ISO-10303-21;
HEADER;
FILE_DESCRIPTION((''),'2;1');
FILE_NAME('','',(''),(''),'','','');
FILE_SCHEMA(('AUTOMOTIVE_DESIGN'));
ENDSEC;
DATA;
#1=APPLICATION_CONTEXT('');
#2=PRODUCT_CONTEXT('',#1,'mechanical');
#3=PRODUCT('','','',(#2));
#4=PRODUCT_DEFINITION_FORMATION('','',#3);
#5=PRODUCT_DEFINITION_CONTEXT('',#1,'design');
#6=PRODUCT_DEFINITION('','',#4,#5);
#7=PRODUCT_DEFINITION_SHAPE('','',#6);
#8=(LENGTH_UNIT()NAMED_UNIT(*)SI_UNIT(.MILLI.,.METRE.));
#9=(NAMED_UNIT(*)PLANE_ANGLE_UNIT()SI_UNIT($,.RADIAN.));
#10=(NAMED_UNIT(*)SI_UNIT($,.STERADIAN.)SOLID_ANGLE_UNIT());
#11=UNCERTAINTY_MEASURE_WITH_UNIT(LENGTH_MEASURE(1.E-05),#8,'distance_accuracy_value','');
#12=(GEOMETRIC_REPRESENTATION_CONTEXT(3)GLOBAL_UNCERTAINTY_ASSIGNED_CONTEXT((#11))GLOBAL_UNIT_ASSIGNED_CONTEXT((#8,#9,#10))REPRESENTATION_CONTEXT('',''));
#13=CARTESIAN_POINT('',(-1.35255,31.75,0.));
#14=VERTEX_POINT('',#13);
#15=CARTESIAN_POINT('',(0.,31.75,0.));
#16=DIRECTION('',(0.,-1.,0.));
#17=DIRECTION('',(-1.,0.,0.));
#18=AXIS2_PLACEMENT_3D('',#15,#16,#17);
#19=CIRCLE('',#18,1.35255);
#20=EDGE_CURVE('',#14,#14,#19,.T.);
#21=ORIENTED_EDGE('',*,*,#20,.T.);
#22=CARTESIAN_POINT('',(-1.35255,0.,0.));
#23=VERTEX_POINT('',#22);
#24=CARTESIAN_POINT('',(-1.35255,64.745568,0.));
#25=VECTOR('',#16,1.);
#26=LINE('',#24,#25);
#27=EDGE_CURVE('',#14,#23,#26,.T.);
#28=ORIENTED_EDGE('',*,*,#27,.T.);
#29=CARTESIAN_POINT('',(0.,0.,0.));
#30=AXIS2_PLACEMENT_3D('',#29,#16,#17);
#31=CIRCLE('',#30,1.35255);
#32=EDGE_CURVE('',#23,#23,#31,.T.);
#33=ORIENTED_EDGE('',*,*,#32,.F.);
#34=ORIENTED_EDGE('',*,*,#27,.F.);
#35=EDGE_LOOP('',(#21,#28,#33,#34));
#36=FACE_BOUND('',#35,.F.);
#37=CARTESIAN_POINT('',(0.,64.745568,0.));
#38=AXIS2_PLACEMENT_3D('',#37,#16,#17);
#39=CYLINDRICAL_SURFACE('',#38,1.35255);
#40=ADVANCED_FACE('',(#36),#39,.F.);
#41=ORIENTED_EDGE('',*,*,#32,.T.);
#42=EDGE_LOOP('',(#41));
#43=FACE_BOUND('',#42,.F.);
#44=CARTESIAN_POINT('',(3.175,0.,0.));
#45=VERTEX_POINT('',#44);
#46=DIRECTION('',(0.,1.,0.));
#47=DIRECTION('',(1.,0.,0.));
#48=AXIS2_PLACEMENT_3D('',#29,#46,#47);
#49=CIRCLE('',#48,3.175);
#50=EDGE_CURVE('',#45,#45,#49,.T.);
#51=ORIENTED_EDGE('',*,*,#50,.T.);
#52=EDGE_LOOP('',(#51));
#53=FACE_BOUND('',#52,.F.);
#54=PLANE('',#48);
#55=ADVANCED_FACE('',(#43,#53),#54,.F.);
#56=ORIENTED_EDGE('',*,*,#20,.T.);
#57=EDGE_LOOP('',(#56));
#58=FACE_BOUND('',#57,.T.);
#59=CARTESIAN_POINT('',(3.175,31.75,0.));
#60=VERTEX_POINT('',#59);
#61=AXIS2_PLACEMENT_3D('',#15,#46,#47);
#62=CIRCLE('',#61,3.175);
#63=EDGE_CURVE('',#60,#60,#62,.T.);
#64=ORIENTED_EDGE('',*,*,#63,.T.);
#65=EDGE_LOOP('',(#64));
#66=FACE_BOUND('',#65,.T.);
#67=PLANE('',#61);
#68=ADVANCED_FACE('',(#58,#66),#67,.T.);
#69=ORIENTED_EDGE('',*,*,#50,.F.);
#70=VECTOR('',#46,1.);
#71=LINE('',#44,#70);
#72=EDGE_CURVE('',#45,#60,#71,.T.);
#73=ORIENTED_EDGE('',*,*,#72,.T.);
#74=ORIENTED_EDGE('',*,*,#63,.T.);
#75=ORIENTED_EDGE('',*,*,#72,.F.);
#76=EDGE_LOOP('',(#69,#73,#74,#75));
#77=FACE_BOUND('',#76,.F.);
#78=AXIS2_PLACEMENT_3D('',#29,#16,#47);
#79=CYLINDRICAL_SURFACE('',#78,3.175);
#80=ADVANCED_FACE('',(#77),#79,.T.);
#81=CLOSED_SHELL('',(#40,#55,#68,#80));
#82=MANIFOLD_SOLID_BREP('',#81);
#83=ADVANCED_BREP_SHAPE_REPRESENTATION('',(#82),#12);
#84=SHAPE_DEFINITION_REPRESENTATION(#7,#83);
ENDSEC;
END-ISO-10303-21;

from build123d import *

# Parameters (mm, degrees)
SKETCH1_R                 = 3.175
BOSS_EXTRUDE1_DEPTH       = 31.75
TAP_DRILL_FOR_6_32_TAP1_D = 2.7051


with BuildPart() as part:
    # Sketch1 → Boss-Extrude1 (new body)
    with BuildSketch(Plane(origin=(0, 0, 0), x_dir=(1, 0, 0), z_dir=(0, 1, 0))):
        Circle(SKETCH1_R)
    extrude(amount=BOSS_EXTRUDE1_DEPTH)

    # Tap Drill for #6-32 Tap1 (through all)
    with Locations(Plane(origin=(0, 31.75, 0), x_dir=(1, 0, 0), z_dir=(0, 1, 0))):
        with Locations((0, 0)):
            Hole(TAP_DRILL_FOR_6_32_TAP1_D / 2)


solid = part.part
